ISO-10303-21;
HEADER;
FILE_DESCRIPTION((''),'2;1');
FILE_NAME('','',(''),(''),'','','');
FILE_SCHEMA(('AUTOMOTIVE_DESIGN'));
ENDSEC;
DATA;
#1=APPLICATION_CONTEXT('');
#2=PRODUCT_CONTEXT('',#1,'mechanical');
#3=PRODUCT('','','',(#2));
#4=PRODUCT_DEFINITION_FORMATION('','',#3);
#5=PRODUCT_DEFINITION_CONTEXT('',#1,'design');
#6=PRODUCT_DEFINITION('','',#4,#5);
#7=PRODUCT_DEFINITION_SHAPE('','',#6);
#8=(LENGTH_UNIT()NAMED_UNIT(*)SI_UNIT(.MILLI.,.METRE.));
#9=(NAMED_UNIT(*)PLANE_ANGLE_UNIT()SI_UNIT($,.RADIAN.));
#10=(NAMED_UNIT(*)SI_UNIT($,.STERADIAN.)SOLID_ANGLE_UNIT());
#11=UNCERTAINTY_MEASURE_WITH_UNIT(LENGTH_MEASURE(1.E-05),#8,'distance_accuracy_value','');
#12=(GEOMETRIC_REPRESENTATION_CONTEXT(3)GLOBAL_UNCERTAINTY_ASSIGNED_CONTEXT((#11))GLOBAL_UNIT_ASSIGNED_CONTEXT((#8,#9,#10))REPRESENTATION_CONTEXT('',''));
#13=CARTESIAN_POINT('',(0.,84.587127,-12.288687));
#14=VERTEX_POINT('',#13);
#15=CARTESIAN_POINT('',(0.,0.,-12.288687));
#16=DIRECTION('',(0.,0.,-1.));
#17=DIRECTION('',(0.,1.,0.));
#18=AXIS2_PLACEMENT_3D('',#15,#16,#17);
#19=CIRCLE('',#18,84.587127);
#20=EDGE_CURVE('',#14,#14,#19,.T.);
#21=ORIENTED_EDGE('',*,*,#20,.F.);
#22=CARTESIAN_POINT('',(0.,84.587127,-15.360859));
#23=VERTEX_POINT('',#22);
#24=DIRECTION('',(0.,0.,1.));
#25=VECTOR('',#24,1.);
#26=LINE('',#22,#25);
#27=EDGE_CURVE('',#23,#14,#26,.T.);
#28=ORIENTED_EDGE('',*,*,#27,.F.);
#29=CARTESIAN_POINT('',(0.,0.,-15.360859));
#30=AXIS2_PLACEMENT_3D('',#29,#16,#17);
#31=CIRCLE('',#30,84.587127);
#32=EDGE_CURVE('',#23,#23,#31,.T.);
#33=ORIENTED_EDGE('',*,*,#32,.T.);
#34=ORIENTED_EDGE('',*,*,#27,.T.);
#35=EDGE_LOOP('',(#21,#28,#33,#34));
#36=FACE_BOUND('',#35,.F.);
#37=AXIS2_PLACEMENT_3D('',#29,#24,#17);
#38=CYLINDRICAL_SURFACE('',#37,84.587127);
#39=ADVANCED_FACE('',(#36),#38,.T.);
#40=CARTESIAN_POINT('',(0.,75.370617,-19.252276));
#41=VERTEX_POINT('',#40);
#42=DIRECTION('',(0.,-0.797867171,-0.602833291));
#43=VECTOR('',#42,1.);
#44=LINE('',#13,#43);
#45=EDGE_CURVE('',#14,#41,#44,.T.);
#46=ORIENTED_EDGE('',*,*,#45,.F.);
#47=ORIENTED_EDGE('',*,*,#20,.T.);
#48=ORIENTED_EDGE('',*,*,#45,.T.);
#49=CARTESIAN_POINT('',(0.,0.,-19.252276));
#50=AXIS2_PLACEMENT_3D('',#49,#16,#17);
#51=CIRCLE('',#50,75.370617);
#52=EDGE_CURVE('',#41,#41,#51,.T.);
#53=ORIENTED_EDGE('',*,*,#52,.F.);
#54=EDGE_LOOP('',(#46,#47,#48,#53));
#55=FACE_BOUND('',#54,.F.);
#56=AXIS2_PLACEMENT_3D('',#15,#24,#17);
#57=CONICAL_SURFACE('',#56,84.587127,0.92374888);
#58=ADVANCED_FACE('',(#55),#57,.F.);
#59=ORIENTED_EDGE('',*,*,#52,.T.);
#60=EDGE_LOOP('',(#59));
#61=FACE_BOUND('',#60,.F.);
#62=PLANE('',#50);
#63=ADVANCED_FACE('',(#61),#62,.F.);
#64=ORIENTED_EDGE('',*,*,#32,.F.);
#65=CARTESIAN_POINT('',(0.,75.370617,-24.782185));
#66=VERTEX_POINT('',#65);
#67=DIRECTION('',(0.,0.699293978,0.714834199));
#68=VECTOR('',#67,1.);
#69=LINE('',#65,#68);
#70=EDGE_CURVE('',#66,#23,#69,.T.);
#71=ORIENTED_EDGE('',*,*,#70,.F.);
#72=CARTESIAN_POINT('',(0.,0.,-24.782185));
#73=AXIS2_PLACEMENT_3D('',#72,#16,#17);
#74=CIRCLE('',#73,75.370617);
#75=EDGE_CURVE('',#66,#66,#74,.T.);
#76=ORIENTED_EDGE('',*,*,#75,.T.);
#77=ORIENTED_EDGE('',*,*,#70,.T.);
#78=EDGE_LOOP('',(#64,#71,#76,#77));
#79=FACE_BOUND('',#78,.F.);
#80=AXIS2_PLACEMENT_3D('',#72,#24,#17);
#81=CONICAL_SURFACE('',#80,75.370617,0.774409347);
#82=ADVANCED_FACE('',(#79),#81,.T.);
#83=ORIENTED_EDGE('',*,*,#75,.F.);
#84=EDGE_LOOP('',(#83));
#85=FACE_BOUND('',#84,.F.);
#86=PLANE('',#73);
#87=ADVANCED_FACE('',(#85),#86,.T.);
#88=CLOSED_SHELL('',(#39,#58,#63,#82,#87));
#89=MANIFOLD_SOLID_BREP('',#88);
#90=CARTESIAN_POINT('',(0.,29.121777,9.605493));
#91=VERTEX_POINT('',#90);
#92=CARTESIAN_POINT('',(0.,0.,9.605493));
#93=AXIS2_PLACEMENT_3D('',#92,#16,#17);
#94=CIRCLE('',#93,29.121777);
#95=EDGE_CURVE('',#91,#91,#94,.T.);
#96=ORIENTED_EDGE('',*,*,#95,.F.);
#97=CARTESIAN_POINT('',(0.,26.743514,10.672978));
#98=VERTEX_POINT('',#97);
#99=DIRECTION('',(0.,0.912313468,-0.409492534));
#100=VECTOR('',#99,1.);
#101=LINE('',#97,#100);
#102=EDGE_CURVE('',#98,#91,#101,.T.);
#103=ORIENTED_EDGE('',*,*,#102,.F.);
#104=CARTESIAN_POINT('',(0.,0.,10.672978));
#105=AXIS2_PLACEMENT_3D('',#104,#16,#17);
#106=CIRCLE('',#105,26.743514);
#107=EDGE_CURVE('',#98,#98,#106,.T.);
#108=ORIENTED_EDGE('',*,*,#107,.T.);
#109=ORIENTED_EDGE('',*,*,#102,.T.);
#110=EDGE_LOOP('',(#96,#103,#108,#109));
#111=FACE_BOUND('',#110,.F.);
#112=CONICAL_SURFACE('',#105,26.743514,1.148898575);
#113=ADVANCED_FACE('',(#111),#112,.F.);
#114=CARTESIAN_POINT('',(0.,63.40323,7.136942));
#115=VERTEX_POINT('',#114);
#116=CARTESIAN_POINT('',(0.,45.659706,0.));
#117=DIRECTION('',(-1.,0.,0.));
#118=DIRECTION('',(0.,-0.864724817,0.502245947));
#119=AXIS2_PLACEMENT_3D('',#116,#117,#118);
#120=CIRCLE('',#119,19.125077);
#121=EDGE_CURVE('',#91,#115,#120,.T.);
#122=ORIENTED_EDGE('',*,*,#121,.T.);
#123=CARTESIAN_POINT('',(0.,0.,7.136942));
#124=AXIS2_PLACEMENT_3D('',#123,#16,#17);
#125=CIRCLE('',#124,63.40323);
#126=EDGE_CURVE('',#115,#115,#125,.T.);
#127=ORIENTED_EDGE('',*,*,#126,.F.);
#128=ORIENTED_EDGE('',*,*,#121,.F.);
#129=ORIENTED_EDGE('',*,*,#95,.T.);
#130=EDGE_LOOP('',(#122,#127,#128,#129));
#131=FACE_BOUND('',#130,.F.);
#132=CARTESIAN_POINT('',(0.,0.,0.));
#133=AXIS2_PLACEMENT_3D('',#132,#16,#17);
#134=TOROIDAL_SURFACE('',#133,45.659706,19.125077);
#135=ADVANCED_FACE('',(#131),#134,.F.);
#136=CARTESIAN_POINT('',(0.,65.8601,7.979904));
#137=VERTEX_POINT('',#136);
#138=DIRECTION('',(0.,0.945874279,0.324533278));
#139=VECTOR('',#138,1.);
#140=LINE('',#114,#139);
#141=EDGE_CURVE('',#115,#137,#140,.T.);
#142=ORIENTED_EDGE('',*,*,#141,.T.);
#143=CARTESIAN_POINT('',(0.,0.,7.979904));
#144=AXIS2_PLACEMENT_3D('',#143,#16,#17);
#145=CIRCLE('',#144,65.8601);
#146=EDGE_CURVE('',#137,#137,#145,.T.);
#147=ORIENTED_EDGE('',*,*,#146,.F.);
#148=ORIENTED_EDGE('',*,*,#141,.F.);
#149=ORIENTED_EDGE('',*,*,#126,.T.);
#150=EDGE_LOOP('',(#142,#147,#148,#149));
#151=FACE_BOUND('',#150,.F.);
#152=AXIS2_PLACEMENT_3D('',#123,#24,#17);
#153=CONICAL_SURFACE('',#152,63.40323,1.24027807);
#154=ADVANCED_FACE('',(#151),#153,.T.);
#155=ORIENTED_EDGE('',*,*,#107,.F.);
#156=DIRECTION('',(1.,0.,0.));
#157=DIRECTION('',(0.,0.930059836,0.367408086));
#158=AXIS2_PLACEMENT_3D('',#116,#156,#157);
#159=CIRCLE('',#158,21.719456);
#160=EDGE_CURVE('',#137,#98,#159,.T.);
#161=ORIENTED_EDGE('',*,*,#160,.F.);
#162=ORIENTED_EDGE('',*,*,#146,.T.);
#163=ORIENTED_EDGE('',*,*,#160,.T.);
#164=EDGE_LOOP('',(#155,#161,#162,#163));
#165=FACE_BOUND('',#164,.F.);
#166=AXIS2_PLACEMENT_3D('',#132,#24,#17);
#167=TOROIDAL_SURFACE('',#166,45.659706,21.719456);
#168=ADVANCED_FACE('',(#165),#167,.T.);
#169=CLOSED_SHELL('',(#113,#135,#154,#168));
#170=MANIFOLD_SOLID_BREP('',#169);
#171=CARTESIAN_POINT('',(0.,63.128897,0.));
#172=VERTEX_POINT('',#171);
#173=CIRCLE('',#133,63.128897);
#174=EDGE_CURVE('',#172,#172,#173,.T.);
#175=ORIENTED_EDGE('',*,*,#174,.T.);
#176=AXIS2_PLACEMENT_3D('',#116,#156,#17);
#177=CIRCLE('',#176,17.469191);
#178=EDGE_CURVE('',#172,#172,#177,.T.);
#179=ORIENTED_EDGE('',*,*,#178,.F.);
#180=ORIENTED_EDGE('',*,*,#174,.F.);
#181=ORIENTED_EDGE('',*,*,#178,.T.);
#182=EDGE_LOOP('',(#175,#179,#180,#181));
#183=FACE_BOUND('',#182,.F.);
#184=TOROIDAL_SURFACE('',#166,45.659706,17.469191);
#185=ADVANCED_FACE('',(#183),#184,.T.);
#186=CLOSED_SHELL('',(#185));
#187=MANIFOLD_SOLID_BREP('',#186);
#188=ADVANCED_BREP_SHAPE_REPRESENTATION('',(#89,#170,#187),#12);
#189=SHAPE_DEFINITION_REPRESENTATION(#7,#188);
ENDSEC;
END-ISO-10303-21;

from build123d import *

# Parameters (mm, degrees)
F0_R = 17.469191


with BuildPart() as f1:
    # F0 (on Right) → F1 (revolve)
    with BuildSketch(Plane.YZ):
        with BuildLine():
            Line((63.40323, 7.136942), (65.8601, 7.979904))
            ThreePointArc((65.8601, 7.979904), (47.151502, 21.668164), (26.743514, 10.672978))
            Line((26.743514, 10.672978), (29.121777, 9.605493))
            ThreePointArc((29.121777, 9.605493), (47.033315, 19.075686), (63.40323, 7.136942))
        make_face()
        with Locations((45.659706, 0)):
            Circle(F0_R)
        Polygon((75.370617, -19.252276), (0, -19.252276), (0, -24.782185), (75.370617, -24.782185), (84.587127, -15.360859), (84.587127, -12.288687), align=None)
    revolve(axis=Axis((0, 0, -3.882907), (0, 0, -1)))


solid = f1.part
